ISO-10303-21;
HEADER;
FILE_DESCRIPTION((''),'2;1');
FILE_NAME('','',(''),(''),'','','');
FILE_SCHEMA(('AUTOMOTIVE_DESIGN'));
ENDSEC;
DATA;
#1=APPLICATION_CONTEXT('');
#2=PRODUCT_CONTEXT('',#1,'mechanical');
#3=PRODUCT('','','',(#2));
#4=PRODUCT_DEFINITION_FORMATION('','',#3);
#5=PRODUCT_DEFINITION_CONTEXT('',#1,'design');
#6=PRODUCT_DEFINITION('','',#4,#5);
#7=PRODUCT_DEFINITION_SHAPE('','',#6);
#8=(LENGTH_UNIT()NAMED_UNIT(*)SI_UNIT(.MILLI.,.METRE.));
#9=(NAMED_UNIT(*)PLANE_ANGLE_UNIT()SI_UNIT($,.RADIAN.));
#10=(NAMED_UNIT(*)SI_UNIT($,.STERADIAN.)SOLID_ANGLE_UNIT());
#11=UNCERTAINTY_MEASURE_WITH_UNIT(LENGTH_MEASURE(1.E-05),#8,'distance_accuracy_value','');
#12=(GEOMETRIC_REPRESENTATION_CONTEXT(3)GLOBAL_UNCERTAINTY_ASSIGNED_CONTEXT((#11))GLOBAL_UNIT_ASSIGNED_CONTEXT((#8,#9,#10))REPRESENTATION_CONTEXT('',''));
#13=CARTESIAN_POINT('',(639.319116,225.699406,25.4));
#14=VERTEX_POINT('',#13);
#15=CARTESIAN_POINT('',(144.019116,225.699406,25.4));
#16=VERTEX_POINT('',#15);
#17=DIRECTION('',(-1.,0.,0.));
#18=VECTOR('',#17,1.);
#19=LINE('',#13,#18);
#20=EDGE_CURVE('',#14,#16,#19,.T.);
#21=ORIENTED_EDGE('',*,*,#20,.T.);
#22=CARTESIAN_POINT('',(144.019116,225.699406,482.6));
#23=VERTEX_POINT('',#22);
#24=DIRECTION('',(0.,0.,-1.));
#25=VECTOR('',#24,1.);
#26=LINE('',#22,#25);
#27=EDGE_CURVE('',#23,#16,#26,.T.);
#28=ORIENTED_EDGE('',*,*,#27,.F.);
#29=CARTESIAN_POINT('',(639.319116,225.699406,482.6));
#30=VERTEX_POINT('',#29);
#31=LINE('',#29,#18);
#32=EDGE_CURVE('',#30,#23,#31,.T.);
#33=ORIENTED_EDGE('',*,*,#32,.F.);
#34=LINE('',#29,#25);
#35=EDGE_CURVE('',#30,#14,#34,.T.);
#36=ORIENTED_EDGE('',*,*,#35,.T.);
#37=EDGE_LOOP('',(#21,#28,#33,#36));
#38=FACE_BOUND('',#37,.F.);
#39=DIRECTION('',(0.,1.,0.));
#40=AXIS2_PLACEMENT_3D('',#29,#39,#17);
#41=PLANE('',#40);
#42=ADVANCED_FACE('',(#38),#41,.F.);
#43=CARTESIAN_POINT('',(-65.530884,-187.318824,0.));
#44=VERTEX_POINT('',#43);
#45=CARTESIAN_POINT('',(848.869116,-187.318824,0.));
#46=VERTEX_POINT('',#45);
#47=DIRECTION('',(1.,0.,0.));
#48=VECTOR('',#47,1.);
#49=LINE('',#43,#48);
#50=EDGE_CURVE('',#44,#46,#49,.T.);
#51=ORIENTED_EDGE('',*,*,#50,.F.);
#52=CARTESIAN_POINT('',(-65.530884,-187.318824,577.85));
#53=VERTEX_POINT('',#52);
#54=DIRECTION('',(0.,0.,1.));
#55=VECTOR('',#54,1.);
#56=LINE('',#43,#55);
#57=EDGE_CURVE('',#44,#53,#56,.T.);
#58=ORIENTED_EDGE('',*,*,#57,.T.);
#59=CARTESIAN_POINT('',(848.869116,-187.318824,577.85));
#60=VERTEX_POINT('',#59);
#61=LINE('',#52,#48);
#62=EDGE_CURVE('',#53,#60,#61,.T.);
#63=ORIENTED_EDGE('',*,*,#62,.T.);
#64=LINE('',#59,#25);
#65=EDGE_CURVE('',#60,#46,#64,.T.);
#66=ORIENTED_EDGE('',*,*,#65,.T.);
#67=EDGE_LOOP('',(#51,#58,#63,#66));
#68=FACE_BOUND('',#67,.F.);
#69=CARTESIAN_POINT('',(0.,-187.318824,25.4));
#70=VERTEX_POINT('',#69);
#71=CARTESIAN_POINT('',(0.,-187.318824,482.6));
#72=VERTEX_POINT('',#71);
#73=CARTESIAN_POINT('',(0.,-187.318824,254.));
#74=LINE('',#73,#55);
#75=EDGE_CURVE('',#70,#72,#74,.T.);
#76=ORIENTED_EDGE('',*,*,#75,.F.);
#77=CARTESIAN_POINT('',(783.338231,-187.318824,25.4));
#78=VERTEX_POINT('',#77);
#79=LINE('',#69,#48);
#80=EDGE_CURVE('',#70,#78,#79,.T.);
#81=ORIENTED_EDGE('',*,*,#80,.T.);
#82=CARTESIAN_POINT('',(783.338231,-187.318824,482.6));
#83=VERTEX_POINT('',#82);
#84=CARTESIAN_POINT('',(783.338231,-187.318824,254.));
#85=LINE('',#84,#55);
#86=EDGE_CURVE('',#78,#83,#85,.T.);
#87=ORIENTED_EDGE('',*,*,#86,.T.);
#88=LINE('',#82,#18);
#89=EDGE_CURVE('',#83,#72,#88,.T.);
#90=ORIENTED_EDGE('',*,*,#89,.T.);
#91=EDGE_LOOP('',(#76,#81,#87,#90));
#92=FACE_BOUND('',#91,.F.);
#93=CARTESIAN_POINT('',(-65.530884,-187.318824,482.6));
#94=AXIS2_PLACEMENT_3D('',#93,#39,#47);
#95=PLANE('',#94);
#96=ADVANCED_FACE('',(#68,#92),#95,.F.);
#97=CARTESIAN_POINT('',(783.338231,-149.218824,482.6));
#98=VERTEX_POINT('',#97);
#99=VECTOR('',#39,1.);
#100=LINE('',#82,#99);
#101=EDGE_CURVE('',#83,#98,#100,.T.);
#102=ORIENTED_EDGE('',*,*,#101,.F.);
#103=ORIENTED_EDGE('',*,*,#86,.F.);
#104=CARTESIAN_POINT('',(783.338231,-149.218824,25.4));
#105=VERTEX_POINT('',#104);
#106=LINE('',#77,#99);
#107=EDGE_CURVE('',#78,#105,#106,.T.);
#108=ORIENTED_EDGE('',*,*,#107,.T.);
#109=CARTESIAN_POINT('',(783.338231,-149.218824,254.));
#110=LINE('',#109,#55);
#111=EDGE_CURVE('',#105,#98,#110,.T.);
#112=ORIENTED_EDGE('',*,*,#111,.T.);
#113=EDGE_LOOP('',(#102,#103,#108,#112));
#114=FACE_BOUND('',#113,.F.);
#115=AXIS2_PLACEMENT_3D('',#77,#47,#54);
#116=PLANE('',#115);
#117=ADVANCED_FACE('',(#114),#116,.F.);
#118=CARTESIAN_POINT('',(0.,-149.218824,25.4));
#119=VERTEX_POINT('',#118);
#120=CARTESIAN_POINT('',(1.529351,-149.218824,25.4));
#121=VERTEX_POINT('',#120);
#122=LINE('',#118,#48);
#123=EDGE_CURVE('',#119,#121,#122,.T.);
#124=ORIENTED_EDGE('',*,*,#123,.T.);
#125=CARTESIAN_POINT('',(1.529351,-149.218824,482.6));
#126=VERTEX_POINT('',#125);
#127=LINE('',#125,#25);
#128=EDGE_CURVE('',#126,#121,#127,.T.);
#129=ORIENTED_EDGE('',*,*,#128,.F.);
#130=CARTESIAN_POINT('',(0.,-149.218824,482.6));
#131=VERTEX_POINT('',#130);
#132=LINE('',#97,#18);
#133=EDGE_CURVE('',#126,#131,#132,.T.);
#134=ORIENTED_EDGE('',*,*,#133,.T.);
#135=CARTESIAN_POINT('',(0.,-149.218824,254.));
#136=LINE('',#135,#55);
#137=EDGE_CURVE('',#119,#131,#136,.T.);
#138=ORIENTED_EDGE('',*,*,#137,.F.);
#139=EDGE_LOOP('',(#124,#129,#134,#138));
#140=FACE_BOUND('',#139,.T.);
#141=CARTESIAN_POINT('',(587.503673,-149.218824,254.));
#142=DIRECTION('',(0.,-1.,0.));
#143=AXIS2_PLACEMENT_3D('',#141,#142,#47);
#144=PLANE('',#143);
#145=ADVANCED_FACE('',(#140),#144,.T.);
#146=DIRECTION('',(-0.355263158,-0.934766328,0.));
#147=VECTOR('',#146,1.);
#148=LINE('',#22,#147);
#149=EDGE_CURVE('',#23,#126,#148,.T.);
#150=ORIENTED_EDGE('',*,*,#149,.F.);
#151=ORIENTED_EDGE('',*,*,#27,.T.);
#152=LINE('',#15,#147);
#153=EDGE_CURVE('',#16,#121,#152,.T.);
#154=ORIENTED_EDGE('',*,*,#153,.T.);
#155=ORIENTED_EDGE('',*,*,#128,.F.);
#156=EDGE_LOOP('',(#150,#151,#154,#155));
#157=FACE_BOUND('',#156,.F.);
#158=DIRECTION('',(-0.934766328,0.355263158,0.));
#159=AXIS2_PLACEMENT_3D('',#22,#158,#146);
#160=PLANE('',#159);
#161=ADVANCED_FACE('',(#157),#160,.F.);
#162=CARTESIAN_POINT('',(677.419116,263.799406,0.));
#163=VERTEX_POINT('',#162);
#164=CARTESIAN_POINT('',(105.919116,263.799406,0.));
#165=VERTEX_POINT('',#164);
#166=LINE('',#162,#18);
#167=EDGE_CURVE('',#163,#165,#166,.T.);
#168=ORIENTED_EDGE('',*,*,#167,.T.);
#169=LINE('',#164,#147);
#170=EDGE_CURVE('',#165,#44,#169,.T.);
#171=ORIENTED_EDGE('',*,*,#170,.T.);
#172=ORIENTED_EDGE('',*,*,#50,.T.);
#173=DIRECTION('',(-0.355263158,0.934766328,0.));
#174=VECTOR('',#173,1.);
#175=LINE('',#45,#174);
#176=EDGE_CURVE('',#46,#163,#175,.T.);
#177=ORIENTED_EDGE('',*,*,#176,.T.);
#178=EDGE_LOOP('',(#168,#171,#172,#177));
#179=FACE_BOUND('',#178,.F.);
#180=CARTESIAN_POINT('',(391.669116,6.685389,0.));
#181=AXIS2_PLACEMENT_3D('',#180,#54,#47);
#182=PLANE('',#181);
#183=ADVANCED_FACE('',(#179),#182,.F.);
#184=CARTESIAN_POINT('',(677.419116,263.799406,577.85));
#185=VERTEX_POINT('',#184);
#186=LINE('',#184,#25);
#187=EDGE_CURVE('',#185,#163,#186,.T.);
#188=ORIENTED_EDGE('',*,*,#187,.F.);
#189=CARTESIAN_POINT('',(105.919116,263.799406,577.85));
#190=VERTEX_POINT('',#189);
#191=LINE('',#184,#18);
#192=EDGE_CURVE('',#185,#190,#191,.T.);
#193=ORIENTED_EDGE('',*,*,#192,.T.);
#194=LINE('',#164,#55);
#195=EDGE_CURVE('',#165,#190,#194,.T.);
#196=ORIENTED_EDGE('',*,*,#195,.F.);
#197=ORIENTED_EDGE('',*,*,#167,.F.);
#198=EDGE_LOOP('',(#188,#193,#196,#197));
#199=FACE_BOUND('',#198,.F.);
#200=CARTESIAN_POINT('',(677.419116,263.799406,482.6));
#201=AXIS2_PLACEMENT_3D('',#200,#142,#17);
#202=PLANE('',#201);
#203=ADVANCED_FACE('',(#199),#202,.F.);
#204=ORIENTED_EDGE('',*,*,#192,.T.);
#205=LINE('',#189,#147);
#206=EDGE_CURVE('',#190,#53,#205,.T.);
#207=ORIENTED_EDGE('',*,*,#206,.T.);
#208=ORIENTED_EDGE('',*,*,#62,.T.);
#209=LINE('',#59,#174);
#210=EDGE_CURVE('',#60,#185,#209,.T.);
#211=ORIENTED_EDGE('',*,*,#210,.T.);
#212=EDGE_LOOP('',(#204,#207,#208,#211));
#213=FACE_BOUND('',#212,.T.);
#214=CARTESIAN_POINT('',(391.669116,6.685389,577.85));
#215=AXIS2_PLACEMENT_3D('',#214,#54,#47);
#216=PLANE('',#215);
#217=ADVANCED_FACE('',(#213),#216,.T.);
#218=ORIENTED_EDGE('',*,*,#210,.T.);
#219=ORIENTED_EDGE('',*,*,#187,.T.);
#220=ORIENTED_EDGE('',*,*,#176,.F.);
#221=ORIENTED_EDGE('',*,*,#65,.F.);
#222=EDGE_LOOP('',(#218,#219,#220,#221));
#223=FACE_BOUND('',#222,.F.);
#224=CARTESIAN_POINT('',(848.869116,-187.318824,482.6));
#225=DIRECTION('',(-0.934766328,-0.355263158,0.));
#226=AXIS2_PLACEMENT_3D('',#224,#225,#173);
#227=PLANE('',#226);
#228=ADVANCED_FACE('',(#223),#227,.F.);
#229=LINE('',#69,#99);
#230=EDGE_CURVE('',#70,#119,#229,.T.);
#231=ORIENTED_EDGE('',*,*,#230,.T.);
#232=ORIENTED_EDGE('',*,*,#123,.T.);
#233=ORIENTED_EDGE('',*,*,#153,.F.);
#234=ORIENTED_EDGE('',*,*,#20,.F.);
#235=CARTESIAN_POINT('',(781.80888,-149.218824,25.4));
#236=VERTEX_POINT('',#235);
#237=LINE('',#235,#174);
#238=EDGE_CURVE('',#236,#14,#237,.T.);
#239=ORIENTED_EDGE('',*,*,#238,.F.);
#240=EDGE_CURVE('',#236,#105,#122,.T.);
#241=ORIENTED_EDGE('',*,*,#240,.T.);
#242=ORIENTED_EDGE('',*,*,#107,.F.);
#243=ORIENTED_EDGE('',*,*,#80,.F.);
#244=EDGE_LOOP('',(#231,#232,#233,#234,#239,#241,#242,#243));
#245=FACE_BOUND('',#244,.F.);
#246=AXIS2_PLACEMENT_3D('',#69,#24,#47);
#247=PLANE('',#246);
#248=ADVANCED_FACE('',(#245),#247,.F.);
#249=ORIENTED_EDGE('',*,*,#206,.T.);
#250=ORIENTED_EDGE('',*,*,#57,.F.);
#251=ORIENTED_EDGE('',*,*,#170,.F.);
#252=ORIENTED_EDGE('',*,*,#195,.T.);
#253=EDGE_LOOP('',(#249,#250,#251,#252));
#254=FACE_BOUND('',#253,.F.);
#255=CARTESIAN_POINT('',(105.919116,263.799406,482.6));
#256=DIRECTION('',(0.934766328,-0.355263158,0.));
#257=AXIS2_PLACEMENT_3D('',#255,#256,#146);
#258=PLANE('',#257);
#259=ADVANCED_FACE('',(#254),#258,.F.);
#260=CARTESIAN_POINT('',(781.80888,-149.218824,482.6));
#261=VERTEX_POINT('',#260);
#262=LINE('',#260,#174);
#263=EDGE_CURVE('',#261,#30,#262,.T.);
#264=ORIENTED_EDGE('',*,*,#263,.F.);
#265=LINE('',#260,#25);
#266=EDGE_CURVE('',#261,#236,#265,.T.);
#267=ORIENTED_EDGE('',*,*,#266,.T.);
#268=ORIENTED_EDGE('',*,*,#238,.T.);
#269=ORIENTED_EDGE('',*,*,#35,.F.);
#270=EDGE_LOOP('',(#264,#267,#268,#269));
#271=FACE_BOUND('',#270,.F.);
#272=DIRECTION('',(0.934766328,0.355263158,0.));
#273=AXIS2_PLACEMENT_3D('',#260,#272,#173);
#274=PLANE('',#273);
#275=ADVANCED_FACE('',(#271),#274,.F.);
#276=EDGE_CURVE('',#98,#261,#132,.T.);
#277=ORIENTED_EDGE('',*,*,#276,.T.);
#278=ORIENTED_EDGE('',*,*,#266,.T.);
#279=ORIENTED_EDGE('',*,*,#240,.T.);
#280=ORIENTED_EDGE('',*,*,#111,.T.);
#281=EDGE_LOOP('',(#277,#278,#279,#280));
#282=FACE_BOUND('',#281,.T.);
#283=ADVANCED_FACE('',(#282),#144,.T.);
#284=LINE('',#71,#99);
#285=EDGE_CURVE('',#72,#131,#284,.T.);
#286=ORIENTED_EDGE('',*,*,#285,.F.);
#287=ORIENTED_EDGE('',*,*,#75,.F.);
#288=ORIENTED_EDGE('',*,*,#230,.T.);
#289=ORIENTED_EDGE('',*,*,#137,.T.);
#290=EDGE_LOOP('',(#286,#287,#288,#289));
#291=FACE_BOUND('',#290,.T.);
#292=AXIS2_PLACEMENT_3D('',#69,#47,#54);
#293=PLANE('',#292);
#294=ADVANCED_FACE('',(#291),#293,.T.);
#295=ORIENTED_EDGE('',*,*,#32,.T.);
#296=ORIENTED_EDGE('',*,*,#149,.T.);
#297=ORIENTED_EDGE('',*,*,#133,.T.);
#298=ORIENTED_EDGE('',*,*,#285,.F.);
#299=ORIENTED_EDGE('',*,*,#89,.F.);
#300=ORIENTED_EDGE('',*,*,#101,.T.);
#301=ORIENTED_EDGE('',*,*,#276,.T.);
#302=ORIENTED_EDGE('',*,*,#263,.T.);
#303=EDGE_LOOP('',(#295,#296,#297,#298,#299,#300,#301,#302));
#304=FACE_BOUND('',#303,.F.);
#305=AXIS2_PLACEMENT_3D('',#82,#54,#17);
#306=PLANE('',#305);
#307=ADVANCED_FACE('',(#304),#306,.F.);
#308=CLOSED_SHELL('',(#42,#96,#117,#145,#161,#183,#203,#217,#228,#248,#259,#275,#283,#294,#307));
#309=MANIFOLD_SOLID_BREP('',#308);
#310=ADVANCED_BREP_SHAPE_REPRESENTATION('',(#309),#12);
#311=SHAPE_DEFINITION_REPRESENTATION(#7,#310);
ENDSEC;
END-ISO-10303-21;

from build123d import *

# Parameters (mm, degrees)
F2_DEPTH = 482.6
F5_DEPTH = 95.25
F6_DEPTH = 457.2
F7_W     = 391.6691155402
F7_H     = 457.2
F8_DEPTH = 38.1


with BuildPart() as f2:
    # F1 (on face) → F2 (new body)
    with BuildSketch(Plane.XY):
        Polygon((848.8691155402, -187.3188240631), (677.4191155402, 263.7994060052), (105.9191155402, 263.7994060052), (-65.5308844598, -187.3188240631), align=None)
    extrude(amount=F2_DEPTH)

    # F3 (on face) → F5 (join)
    with BuildSketch(Plane.XY.offset(482.6)):
        Polygon((677.4191155402, 263.7994060052), (105.9191155402, 263.7994060052), (-65.5308844598, -187.3188240631), (848.8691155402, -187.3188240631), align=None)
        Polygon((1.5293506387, -149.2188240631), (144.0191155402, 225.6994060052), (639.3191155402, 225.6994060052), (781.8088804417, -149.2188240631), align=None, mode=Mode.SUBTRACT)
        Polygon((639.3191155402, 225.6994060052), (144.0191155402, 225.6994060052), (1.5293506387, -149.2188240631), (781.8088804417, -149.2188240631), align=None)
    extrude(amount=F5_DEPTH)

    # F4 (on face) → F6 (cut)
    with BuildSketch(Plane.XY.offset(482.6)):
        Polygon((781.8088804417, -149.2188240631), (639.3191155402, 225.6994060052), (144.0191155402, 225.6994060052), (1.5293506387, -149.2188240631), align=None)
    extrude(amount=-F6_DEPTH, mode=Mode.SUBTRACT)

    # F7 (on face) → F8 (cut)
    with BuildSketch(Plane.XZ.offset(187.3188240631)):
        with Locations((587.5036733103, 254)):
            Rectangle(F7_W, F7_H)
        with Locations((195.8345577701, 254)):
            Rectangle(F7_W, F7_H)
    extrude(amount=-F8_DEPTH, mode=Mode.SUBTRACT)


solid = f2.part
